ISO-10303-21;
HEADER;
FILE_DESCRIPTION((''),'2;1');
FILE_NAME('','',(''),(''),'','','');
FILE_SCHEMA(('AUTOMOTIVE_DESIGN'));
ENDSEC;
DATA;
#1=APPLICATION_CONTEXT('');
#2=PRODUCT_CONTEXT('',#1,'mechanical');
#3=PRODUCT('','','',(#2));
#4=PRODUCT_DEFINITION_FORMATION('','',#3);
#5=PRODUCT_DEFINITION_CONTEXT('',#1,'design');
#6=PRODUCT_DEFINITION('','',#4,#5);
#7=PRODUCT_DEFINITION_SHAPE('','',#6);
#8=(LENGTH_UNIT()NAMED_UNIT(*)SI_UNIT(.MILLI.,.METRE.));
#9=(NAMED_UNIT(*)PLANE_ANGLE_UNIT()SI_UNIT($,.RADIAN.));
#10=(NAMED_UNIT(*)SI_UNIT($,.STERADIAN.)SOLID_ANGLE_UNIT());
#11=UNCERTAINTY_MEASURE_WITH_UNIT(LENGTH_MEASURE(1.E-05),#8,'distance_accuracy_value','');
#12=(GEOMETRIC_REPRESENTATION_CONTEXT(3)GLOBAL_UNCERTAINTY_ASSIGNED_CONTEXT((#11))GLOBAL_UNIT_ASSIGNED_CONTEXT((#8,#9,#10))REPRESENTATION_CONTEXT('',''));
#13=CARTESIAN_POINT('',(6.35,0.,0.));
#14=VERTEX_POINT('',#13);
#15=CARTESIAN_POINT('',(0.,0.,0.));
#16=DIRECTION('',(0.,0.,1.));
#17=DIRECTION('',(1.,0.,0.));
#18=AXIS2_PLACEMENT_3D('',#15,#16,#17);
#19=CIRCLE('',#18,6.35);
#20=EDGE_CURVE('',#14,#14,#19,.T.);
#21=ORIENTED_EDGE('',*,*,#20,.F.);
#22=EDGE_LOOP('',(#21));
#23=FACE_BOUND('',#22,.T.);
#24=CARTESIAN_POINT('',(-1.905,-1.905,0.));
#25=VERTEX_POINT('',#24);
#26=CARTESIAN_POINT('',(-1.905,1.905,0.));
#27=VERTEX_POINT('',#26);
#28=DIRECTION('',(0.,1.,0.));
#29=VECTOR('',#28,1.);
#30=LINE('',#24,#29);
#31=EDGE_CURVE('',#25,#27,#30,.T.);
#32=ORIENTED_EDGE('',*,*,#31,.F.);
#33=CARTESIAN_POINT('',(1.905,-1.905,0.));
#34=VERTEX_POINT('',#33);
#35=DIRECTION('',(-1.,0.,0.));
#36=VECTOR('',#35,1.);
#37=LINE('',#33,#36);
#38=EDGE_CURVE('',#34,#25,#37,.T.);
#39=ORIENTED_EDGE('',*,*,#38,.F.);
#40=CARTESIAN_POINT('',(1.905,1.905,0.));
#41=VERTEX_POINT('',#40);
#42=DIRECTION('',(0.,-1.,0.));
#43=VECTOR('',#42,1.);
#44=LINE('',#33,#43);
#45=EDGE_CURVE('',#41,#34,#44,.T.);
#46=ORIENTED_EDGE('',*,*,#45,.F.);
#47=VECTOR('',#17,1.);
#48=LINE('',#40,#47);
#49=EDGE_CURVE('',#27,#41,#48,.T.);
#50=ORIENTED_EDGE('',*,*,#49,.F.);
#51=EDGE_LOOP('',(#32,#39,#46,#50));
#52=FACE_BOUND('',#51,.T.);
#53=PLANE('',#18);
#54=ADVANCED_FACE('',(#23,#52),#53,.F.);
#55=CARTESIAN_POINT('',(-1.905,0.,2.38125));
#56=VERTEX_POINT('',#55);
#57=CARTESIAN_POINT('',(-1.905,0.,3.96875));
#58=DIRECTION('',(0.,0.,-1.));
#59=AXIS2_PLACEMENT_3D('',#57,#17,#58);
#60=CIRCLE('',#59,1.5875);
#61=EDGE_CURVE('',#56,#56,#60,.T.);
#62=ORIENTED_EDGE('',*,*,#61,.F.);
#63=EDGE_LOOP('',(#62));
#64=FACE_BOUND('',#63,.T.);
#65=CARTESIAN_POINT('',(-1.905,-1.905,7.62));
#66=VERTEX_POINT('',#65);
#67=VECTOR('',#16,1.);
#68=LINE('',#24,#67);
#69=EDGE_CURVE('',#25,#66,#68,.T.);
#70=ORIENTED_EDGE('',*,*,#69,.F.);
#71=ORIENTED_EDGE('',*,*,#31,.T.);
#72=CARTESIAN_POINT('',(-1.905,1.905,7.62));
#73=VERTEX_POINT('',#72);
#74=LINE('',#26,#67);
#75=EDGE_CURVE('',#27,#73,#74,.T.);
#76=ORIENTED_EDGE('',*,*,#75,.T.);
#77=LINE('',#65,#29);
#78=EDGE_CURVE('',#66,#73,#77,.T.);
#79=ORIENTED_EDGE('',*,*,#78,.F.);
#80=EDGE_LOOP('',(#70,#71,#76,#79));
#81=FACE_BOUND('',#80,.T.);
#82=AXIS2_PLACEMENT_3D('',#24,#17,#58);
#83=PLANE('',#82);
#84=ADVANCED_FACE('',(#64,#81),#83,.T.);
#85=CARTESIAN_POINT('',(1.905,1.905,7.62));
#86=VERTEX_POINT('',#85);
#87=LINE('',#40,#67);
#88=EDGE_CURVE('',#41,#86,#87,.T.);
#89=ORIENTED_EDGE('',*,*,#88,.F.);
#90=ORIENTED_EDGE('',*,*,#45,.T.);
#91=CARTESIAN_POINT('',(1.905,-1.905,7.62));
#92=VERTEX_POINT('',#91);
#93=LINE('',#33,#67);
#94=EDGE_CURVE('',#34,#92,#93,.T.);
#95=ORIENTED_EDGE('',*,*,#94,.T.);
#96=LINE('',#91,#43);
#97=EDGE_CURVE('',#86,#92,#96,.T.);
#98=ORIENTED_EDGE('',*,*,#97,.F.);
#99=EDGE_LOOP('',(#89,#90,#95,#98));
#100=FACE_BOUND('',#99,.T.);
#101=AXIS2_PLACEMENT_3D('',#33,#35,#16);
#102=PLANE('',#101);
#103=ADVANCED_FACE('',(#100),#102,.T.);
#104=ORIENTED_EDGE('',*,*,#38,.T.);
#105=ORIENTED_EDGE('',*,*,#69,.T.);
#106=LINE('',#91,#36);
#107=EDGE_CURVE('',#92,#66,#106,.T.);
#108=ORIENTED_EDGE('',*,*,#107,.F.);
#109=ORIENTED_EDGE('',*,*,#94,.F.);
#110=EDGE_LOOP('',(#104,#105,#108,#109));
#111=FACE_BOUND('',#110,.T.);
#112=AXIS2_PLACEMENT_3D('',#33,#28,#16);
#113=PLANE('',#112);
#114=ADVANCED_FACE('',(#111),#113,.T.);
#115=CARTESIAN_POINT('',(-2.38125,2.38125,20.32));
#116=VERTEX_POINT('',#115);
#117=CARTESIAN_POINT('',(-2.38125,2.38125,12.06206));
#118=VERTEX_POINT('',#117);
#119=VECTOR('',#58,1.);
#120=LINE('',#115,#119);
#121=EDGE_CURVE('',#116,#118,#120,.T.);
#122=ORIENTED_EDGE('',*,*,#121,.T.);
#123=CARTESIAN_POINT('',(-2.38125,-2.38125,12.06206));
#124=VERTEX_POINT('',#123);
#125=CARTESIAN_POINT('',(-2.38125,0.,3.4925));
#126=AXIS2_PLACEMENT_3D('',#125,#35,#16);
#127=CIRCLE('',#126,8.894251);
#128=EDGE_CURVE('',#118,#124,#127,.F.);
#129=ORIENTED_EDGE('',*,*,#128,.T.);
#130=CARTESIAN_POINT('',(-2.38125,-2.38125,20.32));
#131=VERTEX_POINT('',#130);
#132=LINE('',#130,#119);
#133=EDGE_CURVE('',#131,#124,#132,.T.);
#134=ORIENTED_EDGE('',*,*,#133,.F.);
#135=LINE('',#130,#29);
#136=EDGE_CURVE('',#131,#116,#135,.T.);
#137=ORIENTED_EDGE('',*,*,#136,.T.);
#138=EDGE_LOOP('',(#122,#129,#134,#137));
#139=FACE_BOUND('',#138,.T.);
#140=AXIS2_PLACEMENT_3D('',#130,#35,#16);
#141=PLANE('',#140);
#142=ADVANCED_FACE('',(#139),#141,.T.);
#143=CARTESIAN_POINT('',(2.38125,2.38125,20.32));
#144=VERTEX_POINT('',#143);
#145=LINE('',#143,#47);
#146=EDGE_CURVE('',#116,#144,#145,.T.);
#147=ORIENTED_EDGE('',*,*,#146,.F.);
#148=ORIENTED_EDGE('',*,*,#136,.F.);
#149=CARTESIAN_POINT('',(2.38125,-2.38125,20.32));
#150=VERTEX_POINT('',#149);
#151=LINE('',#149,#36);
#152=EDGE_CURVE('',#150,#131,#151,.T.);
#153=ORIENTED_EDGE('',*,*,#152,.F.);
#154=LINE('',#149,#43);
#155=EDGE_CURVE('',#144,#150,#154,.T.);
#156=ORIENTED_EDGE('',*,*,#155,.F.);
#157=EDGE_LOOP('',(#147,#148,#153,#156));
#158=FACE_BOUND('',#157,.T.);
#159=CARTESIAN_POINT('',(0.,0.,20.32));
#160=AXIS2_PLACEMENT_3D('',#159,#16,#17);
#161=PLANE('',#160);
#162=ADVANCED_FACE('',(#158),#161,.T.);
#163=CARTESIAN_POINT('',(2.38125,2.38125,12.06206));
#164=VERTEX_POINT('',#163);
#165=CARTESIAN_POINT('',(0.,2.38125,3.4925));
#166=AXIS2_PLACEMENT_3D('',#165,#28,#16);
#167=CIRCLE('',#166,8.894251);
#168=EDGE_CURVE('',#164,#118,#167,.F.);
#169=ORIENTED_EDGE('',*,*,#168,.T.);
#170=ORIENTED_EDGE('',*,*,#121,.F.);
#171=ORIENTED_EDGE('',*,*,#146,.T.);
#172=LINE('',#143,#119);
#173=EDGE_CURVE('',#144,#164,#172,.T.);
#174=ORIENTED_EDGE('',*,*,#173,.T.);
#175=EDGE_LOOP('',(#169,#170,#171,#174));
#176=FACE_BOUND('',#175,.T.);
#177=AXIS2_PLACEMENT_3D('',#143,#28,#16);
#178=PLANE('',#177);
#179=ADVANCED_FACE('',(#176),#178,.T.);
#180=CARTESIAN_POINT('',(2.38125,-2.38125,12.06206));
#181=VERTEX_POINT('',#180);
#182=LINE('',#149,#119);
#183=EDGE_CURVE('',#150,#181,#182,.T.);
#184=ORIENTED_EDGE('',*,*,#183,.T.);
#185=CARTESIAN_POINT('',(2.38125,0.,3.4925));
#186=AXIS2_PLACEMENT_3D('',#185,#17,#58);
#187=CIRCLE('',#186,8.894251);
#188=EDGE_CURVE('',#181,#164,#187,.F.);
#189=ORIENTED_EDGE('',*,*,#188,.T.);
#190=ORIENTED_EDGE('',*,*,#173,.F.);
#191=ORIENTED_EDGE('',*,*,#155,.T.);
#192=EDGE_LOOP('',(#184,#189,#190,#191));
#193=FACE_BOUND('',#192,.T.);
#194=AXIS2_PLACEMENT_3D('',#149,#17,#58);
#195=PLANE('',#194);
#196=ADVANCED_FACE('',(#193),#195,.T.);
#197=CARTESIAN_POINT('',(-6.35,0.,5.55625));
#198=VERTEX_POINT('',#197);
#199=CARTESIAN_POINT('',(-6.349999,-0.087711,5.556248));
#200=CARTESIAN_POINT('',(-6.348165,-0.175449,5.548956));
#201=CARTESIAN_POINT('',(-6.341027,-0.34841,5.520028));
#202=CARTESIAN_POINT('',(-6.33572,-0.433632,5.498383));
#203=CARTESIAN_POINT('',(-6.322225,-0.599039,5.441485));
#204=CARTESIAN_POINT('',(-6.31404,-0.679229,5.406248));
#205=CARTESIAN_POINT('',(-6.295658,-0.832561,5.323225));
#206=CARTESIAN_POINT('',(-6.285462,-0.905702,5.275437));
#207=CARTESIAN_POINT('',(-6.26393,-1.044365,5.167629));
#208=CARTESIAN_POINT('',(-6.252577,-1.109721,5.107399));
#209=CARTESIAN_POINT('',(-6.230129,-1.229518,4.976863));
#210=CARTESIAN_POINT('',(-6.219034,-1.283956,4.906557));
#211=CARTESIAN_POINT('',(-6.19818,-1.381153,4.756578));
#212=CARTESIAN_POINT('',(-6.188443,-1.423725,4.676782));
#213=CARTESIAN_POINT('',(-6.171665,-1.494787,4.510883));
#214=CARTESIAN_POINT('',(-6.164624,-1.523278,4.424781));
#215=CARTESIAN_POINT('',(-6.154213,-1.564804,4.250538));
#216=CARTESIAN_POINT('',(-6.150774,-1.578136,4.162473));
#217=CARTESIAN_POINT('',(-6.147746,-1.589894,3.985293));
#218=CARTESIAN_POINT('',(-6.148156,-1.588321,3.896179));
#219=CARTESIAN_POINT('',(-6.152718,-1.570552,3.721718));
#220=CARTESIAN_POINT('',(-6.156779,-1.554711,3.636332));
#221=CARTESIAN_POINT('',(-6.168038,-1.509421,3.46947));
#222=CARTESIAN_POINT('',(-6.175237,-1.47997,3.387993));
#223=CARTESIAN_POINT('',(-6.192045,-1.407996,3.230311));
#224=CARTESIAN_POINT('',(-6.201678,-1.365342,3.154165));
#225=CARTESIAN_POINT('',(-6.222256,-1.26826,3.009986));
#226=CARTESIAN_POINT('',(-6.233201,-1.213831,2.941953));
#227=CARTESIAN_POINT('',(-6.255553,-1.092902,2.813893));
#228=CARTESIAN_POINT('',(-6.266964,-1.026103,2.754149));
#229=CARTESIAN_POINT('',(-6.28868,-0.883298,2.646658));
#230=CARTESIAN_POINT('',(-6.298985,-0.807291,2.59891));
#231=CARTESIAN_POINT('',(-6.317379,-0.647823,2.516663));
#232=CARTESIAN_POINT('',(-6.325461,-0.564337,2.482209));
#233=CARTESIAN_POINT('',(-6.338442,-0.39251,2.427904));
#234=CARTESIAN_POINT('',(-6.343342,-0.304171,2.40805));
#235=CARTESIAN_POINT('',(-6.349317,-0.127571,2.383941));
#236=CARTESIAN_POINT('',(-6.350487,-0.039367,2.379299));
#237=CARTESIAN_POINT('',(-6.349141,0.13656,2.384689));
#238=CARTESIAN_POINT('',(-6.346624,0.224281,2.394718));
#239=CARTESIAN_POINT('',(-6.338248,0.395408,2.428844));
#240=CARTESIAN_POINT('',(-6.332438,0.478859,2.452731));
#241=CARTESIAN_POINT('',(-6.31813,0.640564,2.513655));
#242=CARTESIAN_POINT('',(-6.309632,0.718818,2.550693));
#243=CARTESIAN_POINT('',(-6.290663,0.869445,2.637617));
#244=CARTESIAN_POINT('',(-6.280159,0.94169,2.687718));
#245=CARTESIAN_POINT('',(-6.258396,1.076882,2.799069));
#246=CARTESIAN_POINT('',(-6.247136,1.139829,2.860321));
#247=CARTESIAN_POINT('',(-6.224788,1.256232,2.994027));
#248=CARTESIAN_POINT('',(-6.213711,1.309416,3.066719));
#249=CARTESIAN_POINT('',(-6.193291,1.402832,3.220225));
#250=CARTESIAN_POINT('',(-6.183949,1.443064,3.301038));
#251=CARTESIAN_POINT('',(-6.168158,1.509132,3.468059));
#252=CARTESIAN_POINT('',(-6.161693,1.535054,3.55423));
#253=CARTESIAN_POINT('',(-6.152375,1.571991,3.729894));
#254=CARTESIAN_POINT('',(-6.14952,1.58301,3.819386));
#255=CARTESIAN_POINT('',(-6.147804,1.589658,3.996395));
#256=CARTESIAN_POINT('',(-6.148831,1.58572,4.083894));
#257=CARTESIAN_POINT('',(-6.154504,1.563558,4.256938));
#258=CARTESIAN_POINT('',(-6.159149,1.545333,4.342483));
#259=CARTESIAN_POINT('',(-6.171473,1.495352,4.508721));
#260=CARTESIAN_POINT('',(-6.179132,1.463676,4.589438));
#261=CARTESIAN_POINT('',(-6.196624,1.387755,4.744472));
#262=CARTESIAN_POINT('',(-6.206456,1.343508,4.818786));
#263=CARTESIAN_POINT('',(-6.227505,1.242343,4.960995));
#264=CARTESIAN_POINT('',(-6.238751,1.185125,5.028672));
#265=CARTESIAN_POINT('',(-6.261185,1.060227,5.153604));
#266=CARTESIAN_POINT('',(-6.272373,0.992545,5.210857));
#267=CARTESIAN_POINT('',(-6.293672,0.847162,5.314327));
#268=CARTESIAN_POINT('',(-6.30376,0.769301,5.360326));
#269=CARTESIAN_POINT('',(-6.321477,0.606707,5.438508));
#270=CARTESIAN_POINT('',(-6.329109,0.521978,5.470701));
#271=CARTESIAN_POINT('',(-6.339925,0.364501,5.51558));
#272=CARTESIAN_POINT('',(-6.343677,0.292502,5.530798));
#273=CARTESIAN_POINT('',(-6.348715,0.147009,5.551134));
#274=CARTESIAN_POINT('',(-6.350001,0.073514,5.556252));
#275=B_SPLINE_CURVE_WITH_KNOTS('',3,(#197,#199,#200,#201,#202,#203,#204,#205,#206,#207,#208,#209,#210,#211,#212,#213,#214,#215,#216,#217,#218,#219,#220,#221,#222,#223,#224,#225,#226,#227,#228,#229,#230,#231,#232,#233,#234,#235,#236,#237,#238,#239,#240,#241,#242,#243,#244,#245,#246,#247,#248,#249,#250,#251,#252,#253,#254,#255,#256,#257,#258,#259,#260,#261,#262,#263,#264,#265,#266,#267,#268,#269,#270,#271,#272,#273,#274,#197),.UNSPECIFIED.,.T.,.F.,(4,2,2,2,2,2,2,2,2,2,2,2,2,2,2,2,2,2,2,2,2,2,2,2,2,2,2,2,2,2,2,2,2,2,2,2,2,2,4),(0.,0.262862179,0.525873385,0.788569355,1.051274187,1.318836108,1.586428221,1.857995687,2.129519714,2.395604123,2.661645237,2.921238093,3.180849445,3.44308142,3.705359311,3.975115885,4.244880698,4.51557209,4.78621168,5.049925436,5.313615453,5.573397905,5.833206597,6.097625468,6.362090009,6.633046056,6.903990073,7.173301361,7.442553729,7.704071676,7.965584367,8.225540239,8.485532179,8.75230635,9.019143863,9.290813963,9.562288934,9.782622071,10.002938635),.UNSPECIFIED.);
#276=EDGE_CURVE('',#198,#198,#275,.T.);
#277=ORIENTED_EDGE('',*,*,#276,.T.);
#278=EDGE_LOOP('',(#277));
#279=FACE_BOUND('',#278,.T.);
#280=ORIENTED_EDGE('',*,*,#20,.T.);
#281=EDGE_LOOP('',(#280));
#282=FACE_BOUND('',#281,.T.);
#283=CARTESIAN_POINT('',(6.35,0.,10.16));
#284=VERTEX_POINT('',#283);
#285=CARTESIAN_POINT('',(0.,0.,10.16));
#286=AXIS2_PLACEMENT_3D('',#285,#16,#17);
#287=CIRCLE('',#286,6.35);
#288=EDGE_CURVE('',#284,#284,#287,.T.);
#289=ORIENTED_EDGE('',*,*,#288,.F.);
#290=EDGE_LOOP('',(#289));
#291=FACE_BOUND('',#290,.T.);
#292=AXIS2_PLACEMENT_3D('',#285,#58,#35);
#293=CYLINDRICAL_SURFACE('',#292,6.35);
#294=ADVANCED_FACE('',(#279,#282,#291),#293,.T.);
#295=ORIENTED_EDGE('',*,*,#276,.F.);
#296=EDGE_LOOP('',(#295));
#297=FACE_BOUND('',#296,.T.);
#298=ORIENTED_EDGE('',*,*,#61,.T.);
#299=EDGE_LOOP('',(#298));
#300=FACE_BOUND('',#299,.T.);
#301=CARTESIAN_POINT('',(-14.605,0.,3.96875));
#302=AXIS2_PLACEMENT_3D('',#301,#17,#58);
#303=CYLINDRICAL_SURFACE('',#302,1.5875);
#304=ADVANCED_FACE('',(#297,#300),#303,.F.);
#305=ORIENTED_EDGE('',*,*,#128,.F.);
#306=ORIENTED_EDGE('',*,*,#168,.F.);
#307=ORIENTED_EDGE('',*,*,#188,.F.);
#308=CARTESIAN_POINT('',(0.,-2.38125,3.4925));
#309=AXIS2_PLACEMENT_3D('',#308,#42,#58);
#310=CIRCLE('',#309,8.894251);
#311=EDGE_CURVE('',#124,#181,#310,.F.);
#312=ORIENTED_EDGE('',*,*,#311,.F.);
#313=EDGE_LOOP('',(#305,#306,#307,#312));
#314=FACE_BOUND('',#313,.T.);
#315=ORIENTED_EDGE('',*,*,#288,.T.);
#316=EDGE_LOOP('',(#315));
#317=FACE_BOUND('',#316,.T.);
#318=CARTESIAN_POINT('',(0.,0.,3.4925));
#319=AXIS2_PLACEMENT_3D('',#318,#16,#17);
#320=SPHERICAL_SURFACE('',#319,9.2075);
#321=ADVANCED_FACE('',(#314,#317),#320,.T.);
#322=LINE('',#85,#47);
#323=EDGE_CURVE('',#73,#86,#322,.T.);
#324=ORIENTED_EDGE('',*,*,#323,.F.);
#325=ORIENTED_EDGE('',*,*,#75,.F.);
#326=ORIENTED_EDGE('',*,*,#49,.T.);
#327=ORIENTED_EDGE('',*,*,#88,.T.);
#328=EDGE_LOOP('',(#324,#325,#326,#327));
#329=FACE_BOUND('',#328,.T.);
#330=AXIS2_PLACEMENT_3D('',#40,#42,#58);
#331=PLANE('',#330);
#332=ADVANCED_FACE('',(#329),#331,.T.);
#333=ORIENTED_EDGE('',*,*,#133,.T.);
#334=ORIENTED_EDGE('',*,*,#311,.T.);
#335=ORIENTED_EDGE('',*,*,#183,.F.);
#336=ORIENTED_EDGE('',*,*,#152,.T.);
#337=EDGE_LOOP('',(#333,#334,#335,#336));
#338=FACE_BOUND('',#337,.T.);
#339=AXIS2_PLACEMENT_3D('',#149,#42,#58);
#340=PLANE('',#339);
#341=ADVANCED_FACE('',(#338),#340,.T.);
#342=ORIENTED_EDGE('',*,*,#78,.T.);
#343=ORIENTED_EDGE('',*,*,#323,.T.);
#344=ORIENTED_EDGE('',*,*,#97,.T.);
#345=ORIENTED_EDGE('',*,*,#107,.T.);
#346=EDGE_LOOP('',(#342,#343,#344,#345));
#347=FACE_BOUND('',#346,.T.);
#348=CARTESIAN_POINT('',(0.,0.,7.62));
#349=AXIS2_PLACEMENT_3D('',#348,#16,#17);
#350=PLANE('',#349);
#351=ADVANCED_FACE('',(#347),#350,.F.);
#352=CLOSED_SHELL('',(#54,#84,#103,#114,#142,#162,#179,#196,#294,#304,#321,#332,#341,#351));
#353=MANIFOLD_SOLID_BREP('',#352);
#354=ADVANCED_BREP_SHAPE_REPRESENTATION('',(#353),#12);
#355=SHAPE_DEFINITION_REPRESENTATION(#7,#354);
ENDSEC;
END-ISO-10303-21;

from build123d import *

# Parameters (mm, degrees)
SKETCH1_R           = 6.35
BOSS_EXTRUDE1_DEPTH = 10.16
DOME1_FACE_RADIUS   = 6.35
DOME1_HEIGHT        = 2.54
SKETCH3_W           = 3.81
SKETCH3_H           = 3.81
CUT_EXTRUDE1_DEPTH  = 7.62
SKETCH5_W           = 4.7625
SKETCH5_H           = 4.7625
BOSS_EXTRUDE2_DEPTH = 12.7
SKETCH6_R           = 1.5875
CUT_EXTRUDE2_DEPTH  = 12.7


with BuildPart() as part:
    # Sketch1 → Boss-Extrude1 (new body)
    with BuildSketch(Plane.XY):
        Circle(SKETCH1_R)
    extrude(amount=BOSS_EXTRUDE1_DEPTH)

    # Dome1: a dome of height H over a round flat face of radius A is a cap of a sphere of radius (A * A + H * H) / (2 * H)
    dome1_r = (DOME1_FACE_RADIUS * DOME1_FACE_RADIUS + DOME1_HEIGHT * DOME1_HEIGHT) / (2 * DOME1_HEIGHT)
    dome1_base = Plane((0, 0, 10.16), z_dir=(0, 0, 1))
    with Locations(dome1_base.offset(DOME1_HEIGHT - dome1_r)):
        dome1_ball = Sphere(dome1_r, mode=Mode.PRIVATE)
    add(split(dome1_ball, bisect_by=dome1_base, keep=Keep.TOP, mode=Mode.PRIVATE))

    # Sketch3 → Cut-Extrude1 (cut)
    with BuildSketch(Plane(origin=(0, 0, 7.62), x_dir=(-1, 0, 0), z_dir=(0, 0, -1))):
        Rectangle(SKETCH3_W, SKETCH3_H)
    extrude(amount=CUT_EXTRUDE1_DEPTH, mode=Mode.SUBTRACT)

    # Sketch5 → Boss-Extrude2 (add)
    with BuildSketch(Plane(origin=(0, 0, 7.62), x_dir=(-1, 0, 0), z_dir=(0, 0, -1))):
        Rectangle(SKETCH5_W, SKETCH5_H)
    extrude(amount=-BOSS_EXTRUDE2_DEPTH)

    # Sketch6 → Cut-Extrude2 (cut)
    with BuildSketch(Plane(origin=(-1.905, 0, 0), x_dir=(0, 0, -1), z_dir=(1, 0, 0))):
        with Locations((-3.96875, 0)):
            Circle(SKETCH6_R)
    extrude(amount=-CUT_EXTRUDE2_DEPTH, mode=Mode.SUBTRACT)


solid = part.part
